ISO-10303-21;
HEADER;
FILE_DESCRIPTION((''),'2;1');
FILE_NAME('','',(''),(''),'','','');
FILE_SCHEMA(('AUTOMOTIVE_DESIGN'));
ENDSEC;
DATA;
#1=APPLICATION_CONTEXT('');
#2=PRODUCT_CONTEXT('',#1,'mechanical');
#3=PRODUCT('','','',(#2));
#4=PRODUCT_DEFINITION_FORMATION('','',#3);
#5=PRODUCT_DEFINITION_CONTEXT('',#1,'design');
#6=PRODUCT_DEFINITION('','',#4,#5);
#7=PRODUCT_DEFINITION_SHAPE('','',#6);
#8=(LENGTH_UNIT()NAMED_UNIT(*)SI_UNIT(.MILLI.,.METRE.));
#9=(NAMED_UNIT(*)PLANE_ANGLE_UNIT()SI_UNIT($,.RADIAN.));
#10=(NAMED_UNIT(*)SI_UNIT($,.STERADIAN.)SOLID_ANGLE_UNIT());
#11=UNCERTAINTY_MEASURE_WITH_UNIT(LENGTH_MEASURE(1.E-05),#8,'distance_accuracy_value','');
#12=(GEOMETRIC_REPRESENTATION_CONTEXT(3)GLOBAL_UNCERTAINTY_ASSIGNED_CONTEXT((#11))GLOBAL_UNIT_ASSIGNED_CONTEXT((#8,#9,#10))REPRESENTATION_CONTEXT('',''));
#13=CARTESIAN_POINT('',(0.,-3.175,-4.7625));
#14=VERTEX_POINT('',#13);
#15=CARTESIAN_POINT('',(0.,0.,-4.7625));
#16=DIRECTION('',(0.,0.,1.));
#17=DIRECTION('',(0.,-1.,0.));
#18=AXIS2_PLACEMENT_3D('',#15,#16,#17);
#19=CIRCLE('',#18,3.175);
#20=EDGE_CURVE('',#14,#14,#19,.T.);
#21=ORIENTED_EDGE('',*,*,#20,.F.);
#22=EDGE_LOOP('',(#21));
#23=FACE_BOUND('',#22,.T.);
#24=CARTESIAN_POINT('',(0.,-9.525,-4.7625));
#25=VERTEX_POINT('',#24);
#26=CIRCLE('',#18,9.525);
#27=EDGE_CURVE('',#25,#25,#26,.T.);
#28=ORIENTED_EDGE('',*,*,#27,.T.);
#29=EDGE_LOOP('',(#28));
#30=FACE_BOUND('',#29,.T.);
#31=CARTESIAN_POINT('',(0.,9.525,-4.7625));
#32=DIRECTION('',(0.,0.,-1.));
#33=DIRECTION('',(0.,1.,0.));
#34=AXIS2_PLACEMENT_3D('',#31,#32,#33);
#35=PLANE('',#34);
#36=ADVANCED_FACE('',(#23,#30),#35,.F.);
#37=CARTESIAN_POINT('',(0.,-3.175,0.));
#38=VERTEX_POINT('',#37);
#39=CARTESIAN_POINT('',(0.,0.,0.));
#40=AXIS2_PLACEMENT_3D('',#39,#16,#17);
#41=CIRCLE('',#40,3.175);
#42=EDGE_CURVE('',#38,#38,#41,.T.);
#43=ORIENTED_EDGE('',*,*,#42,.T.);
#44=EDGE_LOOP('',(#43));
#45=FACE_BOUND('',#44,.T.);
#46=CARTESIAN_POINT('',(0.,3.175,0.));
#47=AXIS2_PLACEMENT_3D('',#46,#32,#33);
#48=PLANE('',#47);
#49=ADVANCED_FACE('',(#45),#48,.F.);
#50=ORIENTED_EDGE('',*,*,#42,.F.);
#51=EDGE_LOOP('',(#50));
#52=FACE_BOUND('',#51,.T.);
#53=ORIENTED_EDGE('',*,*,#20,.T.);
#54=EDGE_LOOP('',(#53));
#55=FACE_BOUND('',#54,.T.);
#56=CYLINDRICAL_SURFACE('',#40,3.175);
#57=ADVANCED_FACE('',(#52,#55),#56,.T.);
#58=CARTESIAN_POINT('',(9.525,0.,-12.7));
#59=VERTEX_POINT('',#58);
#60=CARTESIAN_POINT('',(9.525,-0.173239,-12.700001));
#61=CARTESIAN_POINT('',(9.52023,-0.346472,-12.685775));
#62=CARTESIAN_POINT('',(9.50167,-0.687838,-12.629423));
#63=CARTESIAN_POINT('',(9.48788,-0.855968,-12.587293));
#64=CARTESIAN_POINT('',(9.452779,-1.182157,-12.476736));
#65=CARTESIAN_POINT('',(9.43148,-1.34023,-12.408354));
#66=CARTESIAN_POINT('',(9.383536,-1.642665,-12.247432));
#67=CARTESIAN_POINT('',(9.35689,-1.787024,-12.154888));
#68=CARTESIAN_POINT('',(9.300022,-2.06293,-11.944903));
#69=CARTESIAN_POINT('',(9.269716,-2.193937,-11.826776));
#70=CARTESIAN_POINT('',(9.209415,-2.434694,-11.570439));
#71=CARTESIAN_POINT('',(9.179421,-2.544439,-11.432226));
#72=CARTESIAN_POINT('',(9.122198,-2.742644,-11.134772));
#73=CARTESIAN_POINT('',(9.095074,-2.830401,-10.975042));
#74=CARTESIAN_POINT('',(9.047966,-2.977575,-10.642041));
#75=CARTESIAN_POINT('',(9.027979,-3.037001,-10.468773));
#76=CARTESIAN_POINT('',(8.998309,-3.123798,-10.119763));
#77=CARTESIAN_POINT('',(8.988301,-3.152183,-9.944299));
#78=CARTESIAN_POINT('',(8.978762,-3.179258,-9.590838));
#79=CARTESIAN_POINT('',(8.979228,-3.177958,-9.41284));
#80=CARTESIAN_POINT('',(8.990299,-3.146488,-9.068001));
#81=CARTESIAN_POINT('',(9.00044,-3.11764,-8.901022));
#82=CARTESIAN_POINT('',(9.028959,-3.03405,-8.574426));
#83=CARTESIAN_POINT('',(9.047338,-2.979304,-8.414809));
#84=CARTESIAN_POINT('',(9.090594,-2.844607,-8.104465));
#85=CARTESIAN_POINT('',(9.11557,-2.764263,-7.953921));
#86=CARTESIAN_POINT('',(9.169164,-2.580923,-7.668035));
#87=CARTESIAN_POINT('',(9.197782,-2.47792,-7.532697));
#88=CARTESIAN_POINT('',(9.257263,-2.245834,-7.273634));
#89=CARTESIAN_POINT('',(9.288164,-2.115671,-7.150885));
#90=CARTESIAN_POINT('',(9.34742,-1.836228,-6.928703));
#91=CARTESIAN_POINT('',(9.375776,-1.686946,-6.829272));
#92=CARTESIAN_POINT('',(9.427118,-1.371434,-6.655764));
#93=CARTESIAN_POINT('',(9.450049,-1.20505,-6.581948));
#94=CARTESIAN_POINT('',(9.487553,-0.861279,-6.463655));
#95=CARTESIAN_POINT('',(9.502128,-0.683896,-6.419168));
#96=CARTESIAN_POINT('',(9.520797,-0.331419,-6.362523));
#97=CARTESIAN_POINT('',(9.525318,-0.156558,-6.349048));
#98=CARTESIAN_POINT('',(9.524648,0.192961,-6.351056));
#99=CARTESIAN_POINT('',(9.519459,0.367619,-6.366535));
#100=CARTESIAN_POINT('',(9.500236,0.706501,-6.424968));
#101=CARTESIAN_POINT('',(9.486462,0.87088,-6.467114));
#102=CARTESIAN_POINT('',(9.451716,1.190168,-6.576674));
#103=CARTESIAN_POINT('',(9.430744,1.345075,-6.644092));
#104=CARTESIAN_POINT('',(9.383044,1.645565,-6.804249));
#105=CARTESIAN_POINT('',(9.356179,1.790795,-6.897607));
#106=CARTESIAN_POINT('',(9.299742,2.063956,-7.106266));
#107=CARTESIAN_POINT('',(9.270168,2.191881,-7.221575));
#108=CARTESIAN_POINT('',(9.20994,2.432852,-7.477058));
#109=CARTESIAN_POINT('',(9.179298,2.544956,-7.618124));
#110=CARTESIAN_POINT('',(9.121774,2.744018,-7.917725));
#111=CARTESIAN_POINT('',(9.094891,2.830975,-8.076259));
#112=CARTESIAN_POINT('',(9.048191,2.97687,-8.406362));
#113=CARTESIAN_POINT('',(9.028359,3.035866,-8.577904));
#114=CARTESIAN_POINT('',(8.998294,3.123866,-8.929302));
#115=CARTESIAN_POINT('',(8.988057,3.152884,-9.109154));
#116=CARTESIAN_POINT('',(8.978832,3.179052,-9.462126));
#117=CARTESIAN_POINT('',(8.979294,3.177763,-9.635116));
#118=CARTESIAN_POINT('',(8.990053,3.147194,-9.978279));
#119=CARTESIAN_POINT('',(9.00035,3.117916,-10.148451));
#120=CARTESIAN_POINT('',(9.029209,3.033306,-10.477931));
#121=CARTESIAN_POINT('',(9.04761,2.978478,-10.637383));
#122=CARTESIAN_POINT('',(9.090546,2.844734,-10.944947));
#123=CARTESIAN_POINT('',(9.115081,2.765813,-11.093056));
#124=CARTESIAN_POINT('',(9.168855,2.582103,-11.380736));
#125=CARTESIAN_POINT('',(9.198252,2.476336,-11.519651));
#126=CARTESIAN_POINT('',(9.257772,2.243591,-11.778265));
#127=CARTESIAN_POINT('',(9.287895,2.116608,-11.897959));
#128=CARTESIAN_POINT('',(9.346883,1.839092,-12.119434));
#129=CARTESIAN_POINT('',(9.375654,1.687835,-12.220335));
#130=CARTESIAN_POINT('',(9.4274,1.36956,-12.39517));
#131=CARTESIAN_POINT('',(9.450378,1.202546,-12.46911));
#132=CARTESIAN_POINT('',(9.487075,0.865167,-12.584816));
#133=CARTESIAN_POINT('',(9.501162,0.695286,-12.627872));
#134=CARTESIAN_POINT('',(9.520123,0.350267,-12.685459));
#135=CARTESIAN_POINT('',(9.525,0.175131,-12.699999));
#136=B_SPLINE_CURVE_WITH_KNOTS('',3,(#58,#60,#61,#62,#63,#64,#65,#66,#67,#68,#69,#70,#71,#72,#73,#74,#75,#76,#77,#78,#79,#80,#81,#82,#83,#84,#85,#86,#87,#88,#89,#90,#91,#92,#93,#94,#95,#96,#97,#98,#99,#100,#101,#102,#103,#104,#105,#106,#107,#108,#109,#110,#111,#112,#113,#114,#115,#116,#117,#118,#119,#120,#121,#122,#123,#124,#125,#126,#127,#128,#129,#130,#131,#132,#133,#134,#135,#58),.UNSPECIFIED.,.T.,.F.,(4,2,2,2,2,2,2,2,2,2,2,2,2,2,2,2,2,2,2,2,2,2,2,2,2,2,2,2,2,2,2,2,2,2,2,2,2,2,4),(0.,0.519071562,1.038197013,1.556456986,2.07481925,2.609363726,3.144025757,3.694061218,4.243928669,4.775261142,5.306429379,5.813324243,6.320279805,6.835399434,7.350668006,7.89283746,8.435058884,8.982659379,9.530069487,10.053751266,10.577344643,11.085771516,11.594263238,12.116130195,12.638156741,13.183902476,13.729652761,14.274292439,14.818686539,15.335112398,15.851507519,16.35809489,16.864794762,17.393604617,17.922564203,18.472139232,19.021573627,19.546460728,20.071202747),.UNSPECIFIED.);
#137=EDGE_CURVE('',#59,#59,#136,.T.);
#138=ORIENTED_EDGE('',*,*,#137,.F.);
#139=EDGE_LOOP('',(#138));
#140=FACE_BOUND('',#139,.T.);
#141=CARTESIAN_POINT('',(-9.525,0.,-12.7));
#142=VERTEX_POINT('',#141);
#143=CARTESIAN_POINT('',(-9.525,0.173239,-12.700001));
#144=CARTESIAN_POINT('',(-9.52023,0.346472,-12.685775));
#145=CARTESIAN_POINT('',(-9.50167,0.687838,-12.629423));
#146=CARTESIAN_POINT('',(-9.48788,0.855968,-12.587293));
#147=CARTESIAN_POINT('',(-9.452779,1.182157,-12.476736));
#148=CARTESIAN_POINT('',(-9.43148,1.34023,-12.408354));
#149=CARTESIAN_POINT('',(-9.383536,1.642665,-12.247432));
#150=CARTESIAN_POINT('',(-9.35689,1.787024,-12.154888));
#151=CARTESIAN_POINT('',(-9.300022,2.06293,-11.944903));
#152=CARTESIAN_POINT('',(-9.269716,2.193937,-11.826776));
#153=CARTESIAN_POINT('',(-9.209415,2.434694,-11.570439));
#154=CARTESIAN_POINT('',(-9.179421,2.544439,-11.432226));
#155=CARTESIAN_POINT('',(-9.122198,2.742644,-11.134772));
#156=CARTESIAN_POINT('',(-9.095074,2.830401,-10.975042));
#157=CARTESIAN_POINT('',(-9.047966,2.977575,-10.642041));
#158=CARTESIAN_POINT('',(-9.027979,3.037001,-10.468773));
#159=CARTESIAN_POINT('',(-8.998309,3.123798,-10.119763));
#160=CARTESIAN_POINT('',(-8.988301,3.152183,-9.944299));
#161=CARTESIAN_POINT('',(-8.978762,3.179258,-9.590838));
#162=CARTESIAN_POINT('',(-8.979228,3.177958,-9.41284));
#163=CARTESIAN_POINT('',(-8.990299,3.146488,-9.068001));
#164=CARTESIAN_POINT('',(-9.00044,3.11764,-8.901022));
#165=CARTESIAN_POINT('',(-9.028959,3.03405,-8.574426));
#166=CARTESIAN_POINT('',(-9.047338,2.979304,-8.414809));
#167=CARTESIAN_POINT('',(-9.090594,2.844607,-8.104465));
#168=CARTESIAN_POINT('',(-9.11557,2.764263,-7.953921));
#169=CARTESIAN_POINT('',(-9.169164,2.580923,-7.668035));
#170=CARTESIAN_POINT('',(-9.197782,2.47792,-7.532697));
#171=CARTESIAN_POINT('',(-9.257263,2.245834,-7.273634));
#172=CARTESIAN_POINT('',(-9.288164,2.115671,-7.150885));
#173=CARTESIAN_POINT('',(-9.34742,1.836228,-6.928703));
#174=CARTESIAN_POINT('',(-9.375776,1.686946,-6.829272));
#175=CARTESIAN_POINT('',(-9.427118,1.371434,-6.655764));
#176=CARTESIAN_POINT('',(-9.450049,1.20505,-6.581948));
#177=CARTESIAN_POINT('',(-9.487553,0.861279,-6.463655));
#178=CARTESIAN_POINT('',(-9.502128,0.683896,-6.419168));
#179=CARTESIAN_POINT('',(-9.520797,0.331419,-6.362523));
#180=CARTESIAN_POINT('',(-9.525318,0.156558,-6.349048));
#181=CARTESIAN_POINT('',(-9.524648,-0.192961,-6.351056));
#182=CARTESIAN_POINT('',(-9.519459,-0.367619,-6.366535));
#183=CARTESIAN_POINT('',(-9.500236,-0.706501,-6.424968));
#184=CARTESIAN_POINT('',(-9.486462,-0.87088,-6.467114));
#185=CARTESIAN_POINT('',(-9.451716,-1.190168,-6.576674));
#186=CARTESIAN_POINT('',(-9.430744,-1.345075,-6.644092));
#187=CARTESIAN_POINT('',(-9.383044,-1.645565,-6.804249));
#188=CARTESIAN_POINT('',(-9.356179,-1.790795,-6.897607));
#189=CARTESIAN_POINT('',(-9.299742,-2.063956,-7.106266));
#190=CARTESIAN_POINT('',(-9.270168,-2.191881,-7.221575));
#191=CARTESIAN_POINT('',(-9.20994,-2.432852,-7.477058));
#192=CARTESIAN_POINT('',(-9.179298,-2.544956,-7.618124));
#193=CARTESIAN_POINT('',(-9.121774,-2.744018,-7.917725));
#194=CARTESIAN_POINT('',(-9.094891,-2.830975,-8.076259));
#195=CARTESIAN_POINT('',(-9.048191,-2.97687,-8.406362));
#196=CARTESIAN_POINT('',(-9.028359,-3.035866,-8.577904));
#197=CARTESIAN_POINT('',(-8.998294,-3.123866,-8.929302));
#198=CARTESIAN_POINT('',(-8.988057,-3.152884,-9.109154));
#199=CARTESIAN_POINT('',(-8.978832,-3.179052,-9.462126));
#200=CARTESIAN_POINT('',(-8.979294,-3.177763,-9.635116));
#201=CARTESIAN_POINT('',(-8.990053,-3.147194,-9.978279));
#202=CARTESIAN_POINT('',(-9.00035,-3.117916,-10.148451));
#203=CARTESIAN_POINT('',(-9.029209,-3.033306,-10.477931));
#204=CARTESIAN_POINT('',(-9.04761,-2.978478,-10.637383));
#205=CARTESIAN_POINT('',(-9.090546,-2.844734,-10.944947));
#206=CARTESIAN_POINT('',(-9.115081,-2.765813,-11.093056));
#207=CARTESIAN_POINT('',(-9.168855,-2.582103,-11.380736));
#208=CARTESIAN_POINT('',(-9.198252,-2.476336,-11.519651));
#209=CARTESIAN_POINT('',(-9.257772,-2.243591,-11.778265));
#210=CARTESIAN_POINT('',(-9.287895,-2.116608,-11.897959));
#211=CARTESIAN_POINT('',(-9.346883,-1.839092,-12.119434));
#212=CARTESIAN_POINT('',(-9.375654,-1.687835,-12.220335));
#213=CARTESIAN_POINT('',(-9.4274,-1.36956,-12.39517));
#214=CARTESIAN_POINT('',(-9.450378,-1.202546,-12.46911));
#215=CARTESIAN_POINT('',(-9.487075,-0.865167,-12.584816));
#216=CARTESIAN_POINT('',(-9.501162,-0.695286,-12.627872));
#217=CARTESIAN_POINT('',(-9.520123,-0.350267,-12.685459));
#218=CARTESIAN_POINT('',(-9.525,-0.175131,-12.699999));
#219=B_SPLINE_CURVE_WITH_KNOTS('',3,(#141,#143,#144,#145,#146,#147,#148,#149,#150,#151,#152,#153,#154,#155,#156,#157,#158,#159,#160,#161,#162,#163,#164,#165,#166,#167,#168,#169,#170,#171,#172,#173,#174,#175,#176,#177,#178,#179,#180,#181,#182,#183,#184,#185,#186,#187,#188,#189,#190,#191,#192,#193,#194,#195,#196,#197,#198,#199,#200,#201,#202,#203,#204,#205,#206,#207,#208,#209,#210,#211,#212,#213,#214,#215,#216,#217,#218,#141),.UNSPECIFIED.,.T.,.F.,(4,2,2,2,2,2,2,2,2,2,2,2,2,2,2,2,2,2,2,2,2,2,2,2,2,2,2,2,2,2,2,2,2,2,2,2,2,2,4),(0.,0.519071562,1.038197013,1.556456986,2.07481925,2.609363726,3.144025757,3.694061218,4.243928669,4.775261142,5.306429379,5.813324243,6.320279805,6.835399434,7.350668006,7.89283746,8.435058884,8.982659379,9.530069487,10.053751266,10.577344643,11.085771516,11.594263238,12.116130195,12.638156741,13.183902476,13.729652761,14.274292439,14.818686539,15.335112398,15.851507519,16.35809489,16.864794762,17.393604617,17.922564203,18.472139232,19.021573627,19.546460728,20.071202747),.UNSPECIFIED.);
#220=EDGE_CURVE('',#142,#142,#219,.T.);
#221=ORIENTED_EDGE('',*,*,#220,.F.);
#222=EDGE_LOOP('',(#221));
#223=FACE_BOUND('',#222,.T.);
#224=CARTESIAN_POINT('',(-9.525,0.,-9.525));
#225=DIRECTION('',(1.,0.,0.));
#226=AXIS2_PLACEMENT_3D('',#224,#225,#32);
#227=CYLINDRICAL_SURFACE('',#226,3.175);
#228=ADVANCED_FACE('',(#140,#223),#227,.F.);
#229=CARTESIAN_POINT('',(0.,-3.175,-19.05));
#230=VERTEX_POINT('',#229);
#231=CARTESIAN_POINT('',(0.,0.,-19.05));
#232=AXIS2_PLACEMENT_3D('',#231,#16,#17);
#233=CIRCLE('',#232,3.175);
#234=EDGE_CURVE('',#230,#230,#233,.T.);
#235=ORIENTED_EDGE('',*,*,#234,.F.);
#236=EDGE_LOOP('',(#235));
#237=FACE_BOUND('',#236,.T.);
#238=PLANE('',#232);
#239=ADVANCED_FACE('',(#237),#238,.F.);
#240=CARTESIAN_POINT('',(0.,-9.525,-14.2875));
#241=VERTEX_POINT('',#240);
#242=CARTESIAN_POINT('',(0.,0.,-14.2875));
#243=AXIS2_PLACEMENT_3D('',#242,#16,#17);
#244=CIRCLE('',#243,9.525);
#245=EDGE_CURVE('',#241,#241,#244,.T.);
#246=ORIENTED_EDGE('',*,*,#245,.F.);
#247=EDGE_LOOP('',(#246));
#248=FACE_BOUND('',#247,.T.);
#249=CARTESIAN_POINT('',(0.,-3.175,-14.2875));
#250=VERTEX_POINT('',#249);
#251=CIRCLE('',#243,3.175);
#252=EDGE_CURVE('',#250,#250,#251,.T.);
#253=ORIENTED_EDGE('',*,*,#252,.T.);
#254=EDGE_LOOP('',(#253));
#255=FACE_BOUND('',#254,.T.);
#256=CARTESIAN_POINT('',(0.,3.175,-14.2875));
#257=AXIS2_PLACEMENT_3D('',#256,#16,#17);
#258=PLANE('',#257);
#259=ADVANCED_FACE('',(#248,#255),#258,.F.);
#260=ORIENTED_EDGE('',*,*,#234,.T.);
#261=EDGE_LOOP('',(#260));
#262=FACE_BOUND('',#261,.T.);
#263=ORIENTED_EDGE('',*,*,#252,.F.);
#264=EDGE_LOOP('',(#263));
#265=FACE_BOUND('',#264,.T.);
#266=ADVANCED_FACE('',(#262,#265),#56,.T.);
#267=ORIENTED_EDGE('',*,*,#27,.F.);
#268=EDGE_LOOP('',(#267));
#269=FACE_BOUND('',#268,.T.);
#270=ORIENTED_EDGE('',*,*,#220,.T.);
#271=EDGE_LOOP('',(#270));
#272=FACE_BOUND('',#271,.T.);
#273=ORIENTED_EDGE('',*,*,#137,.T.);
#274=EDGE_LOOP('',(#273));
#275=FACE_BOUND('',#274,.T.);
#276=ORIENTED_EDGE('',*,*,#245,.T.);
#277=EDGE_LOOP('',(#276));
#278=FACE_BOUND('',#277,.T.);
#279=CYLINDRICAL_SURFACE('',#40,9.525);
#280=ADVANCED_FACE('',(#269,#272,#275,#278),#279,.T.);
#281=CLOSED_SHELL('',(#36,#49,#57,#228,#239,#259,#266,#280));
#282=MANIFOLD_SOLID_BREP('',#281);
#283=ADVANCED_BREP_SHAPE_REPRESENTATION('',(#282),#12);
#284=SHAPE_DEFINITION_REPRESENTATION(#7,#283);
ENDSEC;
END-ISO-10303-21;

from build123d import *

# Parameters (mm, degrees)
CUT_EXTRUDE1_DEPTH      = 24.3313898
CUT_EXTRUDE1_DEPTH_BACK = 24.3313898
SKETCH2_R               = 3.175


with BuildPart() as part:
    # Sketch1 → Revolve1 (revolve)
    with BuildSketch(Plane(origin=(0, 0, 0), x_dir=(0, 0, -1), z_dir=(1, 0, 0)), mode=Mode.PRIVATE) as revolve1_sk:
        Polygon((0, 0), (19.05, 0), (19.05, 3.175), (14.2875, 3.175), (14.2875, 9.525), (4.7625, 9.525), (4.7625, 3.175), (0, 3.175), align=None)
    revolve(revolve1_sk.sketch.rotate(Axis((0, 0, 0), (0, 0, -1)), 180), axis=Axis((0, 0, 0), (0, 0, -1)))

    # Sketch2 → Cut-Extrude1 (cut, two sides: drawn at the far end of the back side and taken through both)
    with BuildSketch(Plane(origin=(0, 0, 0), x_dir=(0, 0, -1), z_dir=(1, 0, 0)).offset(-CUT_EXTRUDE1_DEPTH_BACK)):
        with Locations((9.525, 0)):
            Circle(SKETCH2_R)
    extrude(amount=CUT_EXTRUDE1_DEPTH + CUT_EXTRUDE1_DEPTH_BACK, mode=Mode.SUBTRACT)


solid = part.part
